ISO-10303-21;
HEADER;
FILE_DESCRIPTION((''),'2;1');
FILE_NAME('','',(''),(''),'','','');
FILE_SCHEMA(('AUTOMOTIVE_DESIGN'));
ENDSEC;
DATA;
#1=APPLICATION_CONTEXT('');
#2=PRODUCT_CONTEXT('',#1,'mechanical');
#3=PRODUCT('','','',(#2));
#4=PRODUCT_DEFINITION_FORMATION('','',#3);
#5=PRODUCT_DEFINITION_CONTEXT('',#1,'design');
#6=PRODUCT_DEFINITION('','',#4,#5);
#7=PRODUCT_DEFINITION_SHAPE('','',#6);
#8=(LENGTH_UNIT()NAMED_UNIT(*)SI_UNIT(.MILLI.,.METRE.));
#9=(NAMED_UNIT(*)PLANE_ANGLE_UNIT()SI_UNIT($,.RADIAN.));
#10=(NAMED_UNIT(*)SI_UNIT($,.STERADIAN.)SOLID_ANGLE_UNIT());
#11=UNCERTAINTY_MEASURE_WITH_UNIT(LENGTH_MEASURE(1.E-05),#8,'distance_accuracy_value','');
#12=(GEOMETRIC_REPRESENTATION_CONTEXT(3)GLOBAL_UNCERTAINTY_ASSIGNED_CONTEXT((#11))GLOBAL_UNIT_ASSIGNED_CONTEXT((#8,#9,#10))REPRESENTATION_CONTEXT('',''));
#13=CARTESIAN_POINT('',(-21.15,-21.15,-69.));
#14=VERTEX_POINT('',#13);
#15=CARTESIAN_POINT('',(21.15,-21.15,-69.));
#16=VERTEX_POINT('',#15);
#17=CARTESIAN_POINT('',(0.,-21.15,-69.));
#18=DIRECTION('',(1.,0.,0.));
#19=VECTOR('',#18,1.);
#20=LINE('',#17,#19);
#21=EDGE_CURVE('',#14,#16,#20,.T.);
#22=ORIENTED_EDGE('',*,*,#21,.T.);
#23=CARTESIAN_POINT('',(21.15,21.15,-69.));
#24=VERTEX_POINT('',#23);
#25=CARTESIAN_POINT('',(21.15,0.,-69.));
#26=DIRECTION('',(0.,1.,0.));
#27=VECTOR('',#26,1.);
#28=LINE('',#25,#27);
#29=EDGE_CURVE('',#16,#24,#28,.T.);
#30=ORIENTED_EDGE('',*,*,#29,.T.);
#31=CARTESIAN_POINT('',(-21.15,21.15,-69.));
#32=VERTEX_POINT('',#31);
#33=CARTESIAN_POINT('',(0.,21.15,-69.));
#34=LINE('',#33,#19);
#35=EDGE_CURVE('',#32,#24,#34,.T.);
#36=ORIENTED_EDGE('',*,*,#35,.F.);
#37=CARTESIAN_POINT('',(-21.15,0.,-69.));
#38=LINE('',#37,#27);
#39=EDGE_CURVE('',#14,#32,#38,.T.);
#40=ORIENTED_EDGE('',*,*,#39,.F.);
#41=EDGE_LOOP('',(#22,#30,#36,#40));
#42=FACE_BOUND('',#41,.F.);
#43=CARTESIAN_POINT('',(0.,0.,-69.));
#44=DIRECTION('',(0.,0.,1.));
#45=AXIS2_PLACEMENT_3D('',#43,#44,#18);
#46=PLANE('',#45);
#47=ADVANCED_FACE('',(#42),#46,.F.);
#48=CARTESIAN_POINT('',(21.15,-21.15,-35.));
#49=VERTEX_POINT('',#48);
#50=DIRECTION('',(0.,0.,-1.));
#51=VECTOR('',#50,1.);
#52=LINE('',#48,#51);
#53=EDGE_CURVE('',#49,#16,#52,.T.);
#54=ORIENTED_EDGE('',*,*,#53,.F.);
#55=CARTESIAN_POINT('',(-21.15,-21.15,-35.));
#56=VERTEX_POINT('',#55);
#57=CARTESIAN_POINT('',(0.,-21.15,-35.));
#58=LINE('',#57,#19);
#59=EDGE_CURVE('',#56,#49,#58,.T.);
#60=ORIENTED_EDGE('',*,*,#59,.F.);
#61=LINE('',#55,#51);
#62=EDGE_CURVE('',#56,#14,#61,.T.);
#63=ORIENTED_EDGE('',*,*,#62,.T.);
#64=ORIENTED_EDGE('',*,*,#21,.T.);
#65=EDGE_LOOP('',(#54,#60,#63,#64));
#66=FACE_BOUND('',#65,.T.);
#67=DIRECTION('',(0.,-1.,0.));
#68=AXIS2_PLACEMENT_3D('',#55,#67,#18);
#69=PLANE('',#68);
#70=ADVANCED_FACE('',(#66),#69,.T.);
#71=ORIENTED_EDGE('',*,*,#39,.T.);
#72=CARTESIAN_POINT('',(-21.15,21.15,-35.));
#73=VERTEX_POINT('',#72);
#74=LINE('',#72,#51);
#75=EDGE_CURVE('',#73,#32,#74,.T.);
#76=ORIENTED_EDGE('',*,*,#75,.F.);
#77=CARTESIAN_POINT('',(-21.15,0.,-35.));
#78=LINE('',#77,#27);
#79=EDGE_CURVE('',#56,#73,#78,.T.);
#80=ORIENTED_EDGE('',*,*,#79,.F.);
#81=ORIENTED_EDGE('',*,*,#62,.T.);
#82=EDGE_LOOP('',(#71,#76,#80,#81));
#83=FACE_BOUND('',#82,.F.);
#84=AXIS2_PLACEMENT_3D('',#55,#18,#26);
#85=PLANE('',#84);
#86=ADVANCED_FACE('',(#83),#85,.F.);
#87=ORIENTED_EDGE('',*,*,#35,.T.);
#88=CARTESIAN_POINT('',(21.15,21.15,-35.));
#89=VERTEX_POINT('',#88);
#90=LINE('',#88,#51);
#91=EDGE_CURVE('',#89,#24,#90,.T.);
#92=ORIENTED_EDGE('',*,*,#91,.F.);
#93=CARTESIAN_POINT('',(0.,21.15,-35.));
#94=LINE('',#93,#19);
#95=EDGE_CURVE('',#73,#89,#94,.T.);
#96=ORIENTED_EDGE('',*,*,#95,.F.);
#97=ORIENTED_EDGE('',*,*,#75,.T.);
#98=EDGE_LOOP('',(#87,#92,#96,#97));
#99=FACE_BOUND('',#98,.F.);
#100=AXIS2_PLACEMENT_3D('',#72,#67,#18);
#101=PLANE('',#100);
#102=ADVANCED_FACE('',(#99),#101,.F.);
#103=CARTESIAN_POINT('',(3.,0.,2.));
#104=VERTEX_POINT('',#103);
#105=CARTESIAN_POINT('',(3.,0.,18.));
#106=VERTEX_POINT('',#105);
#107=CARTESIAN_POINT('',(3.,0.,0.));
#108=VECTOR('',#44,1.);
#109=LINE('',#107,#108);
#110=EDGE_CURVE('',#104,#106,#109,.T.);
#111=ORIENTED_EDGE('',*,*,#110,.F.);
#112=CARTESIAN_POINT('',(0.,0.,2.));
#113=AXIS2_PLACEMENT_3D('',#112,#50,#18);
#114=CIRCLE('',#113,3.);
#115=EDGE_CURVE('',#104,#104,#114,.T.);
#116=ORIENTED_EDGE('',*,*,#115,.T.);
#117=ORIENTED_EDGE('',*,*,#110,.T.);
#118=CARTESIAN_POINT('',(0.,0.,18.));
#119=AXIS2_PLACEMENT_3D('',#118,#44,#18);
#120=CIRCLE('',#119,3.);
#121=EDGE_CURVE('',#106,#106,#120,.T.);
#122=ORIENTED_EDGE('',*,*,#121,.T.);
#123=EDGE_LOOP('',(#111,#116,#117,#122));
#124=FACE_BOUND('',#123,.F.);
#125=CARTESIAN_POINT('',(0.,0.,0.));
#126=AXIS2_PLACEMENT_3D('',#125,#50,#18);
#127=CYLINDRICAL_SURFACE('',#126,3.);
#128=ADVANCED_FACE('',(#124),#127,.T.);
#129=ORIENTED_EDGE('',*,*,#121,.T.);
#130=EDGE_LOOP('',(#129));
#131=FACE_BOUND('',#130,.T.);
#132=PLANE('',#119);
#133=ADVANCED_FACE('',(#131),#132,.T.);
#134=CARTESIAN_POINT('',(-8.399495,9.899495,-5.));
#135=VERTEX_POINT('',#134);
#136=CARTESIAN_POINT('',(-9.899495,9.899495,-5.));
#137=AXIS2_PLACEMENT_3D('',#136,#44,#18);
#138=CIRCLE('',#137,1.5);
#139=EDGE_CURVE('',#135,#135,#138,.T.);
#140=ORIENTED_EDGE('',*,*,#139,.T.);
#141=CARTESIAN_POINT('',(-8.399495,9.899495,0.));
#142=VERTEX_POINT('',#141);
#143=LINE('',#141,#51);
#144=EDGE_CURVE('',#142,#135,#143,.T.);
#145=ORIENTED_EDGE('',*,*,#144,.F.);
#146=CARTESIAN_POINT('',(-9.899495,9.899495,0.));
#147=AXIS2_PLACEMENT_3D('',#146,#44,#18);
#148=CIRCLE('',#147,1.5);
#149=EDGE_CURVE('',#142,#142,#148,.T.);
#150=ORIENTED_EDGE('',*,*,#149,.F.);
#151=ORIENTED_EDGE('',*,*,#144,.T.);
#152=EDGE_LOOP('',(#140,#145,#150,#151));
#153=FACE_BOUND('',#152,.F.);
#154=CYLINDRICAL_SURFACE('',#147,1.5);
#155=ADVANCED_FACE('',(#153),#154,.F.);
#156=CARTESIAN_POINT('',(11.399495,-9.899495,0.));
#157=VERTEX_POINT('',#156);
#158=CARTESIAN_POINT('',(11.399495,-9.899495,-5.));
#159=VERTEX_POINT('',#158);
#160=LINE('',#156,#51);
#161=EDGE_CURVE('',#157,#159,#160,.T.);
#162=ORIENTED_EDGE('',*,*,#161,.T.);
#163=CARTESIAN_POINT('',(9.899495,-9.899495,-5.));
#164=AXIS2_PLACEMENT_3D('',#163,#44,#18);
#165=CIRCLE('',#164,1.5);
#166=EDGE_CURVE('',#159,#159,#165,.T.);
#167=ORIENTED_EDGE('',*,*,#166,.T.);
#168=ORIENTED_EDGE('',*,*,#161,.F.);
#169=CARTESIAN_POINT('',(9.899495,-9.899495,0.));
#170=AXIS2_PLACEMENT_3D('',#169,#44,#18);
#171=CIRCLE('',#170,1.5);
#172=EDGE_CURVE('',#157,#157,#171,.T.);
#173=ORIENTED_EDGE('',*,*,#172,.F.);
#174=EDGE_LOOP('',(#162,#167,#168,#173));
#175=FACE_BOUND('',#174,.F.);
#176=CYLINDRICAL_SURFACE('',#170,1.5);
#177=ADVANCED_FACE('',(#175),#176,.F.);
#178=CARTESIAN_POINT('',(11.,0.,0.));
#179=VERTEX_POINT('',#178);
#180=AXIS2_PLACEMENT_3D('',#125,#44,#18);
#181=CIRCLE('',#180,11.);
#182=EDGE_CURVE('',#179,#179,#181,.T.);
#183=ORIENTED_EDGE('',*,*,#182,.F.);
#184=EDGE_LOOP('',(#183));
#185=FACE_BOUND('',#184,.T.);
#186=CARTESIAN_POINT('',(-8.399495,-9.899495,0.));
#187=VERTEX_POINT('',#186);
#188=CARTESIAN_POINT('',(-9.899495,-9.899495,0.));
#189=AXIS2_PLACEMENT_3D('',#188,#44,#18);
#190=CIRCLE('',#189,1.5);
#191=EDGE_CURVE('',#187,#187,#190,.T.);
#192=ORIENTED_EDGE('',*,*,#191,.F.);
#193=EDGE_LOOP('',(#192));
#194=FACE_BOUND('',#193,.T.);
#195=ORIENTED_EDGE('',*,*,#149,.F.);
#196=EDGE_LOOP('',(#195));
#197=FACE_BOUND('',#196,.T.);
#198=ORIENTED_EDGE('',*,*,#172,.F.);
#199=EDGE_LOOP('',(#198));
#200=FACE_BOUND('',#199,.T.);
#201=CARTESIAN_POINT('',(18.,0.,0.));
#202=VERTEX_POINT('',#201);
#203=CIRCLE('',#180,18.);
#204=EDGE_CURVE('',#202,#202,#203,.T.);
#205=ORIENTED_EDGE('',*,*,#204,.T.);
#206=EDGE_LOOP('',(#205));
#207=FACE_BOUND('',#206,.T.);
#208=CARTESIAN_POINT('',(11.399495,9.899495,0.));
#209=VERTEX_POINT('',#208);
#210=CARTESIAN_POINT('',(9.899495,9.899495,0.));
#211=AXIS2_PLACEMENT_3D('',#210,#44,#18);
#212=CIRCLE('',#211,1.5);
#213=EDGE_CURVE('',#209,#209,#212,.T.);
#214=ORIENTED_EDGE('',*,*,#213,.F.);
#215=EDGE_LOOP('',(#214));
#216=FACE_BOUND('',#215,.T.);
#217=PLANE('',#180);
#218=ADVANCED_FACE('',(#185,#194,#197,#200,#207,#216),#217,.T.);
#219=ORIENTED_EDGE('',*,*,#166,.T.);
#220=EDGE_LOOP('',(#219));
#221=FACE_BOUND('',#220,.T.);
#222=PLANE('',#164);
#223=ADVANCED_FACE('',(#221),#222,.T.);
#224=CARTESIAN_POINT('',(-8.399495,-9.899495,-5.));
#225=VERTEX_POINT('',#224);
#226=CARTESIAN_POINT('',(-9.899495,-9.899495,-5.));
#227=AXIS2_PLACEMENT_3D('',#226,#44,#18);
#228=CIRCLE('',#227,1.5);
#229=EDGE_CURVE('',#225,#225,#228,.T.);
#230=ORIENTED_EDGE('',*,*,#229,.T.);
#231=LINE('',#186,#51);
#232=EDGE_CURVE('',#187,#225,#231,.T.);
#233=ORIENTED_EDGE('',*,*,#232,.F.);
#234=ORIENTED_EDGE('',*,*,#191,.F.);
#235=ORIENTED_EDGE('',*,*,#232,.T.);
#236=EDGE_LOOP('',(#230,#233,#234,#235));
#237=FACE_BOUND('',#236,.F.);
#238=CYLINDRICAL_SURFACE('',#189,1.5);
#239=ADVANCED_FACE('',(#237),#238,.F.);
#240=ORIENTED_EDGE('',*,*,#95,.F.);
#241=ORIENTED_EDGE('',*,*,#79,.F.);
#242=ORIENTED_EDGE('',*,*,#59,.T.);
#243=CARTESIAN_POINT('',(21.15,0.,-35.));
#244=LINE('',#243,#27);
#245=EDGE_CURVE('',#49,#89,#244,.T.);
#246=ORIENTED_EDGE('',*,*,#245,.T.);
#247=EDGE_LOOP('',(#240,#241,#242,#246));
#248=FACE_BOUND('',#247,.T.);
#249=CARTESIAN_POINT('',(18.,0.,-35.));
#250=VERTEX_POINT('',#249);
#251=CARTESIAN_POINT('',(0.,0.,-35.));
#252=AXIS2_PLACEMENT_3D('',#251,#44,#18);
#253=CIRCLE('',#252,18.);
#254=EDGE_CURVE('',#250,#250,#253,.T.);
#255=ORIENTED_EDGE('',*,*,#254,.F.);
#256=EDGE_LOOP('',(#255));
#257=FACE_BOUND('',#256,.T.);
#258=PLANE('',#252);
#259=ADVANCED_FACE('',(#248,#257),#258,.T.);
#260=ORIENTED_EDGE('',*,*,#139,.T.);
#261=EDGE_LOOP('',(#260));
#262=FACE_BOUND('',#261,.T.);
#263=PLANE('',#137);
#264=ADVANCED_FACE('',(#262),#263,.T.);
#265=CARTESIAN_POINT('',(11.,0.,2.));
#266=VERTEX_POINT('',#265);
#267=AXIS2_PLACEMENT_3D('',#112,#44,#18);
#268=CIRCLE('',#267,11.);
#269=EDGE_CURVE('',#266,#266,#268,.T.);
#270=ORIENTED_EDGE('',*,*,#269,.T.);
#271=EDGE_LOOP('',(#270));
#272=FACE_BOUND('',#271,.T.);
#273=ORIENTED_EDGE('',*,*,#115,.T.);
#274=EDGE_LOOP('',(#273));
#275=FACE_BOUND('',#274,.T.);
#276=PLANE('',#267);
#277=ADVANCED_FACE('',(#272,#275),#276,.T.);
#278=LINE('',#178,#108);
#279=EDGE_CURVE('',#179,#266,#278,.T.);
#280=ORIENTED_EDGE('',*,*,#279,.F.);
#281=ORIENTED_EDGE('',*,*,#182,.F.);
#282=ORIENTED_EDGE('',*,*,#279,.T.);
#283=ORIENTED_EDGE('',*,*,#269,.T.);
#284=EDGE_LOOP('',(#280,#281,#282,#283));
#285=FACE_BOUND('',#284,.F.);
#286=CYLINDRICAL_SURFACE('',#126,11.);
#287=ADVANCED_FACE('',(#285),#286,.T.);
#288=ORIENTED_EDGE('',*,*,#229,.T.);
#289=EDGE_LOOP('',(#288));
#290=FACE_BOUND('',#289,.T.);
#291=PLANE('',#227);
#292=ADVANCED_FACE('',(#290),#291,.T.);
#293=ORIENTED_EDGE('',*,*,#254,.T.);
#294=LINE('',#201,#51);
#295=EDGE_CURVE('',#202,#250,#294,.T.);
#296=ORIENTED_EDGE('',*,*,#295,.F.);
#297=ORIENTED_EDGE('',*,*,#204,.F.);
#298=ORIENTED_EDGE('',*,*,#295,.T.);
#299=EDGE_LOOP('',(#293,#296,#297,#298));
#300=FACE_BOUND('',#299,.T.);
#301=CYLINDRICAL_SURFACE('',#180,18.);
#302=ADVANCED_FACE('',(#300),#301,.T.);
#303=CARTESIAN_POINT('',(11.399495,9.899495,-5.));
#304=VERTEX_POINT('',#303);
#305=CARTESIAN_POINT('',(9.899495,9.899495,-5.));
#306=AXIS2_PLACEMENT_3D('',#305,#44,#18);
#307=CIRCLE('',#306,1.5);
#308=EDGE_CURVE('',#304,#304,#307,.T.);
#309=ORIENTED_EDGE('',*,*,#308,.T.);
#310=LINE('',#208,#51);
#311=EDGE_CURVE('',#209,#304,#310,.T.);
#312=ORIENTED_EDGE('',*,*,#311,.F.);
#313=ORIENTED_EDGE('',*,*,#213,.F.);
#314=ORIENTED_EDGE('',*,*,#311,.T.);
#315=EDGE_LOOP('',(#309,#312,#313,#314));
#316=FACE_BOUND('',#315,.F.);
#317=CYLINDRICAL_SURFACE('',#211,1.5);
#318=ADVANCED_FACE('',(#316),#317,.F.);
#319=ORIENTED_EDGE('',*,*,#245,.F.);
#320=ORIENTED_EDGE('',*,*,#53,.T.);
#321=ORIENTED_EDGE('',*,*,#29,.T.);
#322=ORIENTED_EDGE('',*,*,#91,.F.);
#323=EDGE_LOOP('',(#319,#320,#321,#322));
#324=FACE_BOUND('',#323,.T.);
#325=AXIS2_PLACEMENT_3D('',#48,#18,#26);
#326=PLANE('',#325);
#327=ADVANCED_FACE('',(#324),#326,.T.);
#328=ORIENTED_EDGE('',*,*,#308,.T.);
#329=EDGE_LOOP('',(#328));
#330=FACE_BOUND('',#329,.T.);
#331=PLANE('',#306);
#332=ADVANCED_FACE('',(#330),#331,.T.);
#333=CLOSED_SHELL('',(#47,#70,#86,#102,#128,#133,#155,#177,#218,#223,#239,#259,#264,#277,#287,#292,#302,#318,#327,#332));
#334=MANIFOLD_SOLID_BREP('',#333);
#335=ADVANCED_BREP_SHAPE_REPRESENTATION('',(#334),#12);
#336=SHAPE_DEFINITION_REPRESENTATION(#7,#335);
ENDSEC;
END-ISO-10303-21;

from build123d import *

# Parameters (mm, degrees)
SKETCH_R     = 18
PAD_DEPTH    = 35
SKETCH001_W  = 42.3
SKETCH001_H  = 42.3
PAD001_DEPTH = 34
SKETCH002_R  = 11
PAD002_DEPTH = 2
SKETCH003_R  = 3
PAD003_DEPTH = 18
SKETCH004_R  = 1.5
POCKET_DEPTH = 5


with BuildPart() as part:
    # Sketch → Pad (new body)
    with BuildSketch(Plane.XY):
        Circle(SKETCH_R)
    extrude(amount=-PAD_DEPTH)

    # Sketch001 → Pad001 (join)
    with BuildSketch(Plane.XY.offset(-35)):
        Rectangle(SKETCH001_W, SKETCH001_H)
    extrude(amount=-PAD001_DEPTH)

    # Sketch002 → Pad002 (join)
    with BuildSketch(Plane.XY):
        Circle(SKETCH002_R)
    extrude(amount=PAD002_DEPTH)

    # Sketch003 → Pad003 (join)
    with BuildSketch(Plane.XY):
        Circle(SKETCH003_R)
    extrude(amount=PAD003_DEPTH)

    # Sketch004 → Pocket (cut)
    with BuildSketch(Plane.XY):
        with Locations((-9.899495, 9.899495)):
            Circle(SKETCH004_R)
        with Locations((9.899495, 9.899495)):
            Circle(SKETCH004_R)
        with Locations((9.899495, -9.899495)):
            Circle(SKETCH004_R)
        with Locations((-9.899495, -9.899495)):
            Circle(SKETCH004_R)
    extrude(amount=-POCKET_DEPTH, mode=Mode.SUBTRACT)


solid = part.part
